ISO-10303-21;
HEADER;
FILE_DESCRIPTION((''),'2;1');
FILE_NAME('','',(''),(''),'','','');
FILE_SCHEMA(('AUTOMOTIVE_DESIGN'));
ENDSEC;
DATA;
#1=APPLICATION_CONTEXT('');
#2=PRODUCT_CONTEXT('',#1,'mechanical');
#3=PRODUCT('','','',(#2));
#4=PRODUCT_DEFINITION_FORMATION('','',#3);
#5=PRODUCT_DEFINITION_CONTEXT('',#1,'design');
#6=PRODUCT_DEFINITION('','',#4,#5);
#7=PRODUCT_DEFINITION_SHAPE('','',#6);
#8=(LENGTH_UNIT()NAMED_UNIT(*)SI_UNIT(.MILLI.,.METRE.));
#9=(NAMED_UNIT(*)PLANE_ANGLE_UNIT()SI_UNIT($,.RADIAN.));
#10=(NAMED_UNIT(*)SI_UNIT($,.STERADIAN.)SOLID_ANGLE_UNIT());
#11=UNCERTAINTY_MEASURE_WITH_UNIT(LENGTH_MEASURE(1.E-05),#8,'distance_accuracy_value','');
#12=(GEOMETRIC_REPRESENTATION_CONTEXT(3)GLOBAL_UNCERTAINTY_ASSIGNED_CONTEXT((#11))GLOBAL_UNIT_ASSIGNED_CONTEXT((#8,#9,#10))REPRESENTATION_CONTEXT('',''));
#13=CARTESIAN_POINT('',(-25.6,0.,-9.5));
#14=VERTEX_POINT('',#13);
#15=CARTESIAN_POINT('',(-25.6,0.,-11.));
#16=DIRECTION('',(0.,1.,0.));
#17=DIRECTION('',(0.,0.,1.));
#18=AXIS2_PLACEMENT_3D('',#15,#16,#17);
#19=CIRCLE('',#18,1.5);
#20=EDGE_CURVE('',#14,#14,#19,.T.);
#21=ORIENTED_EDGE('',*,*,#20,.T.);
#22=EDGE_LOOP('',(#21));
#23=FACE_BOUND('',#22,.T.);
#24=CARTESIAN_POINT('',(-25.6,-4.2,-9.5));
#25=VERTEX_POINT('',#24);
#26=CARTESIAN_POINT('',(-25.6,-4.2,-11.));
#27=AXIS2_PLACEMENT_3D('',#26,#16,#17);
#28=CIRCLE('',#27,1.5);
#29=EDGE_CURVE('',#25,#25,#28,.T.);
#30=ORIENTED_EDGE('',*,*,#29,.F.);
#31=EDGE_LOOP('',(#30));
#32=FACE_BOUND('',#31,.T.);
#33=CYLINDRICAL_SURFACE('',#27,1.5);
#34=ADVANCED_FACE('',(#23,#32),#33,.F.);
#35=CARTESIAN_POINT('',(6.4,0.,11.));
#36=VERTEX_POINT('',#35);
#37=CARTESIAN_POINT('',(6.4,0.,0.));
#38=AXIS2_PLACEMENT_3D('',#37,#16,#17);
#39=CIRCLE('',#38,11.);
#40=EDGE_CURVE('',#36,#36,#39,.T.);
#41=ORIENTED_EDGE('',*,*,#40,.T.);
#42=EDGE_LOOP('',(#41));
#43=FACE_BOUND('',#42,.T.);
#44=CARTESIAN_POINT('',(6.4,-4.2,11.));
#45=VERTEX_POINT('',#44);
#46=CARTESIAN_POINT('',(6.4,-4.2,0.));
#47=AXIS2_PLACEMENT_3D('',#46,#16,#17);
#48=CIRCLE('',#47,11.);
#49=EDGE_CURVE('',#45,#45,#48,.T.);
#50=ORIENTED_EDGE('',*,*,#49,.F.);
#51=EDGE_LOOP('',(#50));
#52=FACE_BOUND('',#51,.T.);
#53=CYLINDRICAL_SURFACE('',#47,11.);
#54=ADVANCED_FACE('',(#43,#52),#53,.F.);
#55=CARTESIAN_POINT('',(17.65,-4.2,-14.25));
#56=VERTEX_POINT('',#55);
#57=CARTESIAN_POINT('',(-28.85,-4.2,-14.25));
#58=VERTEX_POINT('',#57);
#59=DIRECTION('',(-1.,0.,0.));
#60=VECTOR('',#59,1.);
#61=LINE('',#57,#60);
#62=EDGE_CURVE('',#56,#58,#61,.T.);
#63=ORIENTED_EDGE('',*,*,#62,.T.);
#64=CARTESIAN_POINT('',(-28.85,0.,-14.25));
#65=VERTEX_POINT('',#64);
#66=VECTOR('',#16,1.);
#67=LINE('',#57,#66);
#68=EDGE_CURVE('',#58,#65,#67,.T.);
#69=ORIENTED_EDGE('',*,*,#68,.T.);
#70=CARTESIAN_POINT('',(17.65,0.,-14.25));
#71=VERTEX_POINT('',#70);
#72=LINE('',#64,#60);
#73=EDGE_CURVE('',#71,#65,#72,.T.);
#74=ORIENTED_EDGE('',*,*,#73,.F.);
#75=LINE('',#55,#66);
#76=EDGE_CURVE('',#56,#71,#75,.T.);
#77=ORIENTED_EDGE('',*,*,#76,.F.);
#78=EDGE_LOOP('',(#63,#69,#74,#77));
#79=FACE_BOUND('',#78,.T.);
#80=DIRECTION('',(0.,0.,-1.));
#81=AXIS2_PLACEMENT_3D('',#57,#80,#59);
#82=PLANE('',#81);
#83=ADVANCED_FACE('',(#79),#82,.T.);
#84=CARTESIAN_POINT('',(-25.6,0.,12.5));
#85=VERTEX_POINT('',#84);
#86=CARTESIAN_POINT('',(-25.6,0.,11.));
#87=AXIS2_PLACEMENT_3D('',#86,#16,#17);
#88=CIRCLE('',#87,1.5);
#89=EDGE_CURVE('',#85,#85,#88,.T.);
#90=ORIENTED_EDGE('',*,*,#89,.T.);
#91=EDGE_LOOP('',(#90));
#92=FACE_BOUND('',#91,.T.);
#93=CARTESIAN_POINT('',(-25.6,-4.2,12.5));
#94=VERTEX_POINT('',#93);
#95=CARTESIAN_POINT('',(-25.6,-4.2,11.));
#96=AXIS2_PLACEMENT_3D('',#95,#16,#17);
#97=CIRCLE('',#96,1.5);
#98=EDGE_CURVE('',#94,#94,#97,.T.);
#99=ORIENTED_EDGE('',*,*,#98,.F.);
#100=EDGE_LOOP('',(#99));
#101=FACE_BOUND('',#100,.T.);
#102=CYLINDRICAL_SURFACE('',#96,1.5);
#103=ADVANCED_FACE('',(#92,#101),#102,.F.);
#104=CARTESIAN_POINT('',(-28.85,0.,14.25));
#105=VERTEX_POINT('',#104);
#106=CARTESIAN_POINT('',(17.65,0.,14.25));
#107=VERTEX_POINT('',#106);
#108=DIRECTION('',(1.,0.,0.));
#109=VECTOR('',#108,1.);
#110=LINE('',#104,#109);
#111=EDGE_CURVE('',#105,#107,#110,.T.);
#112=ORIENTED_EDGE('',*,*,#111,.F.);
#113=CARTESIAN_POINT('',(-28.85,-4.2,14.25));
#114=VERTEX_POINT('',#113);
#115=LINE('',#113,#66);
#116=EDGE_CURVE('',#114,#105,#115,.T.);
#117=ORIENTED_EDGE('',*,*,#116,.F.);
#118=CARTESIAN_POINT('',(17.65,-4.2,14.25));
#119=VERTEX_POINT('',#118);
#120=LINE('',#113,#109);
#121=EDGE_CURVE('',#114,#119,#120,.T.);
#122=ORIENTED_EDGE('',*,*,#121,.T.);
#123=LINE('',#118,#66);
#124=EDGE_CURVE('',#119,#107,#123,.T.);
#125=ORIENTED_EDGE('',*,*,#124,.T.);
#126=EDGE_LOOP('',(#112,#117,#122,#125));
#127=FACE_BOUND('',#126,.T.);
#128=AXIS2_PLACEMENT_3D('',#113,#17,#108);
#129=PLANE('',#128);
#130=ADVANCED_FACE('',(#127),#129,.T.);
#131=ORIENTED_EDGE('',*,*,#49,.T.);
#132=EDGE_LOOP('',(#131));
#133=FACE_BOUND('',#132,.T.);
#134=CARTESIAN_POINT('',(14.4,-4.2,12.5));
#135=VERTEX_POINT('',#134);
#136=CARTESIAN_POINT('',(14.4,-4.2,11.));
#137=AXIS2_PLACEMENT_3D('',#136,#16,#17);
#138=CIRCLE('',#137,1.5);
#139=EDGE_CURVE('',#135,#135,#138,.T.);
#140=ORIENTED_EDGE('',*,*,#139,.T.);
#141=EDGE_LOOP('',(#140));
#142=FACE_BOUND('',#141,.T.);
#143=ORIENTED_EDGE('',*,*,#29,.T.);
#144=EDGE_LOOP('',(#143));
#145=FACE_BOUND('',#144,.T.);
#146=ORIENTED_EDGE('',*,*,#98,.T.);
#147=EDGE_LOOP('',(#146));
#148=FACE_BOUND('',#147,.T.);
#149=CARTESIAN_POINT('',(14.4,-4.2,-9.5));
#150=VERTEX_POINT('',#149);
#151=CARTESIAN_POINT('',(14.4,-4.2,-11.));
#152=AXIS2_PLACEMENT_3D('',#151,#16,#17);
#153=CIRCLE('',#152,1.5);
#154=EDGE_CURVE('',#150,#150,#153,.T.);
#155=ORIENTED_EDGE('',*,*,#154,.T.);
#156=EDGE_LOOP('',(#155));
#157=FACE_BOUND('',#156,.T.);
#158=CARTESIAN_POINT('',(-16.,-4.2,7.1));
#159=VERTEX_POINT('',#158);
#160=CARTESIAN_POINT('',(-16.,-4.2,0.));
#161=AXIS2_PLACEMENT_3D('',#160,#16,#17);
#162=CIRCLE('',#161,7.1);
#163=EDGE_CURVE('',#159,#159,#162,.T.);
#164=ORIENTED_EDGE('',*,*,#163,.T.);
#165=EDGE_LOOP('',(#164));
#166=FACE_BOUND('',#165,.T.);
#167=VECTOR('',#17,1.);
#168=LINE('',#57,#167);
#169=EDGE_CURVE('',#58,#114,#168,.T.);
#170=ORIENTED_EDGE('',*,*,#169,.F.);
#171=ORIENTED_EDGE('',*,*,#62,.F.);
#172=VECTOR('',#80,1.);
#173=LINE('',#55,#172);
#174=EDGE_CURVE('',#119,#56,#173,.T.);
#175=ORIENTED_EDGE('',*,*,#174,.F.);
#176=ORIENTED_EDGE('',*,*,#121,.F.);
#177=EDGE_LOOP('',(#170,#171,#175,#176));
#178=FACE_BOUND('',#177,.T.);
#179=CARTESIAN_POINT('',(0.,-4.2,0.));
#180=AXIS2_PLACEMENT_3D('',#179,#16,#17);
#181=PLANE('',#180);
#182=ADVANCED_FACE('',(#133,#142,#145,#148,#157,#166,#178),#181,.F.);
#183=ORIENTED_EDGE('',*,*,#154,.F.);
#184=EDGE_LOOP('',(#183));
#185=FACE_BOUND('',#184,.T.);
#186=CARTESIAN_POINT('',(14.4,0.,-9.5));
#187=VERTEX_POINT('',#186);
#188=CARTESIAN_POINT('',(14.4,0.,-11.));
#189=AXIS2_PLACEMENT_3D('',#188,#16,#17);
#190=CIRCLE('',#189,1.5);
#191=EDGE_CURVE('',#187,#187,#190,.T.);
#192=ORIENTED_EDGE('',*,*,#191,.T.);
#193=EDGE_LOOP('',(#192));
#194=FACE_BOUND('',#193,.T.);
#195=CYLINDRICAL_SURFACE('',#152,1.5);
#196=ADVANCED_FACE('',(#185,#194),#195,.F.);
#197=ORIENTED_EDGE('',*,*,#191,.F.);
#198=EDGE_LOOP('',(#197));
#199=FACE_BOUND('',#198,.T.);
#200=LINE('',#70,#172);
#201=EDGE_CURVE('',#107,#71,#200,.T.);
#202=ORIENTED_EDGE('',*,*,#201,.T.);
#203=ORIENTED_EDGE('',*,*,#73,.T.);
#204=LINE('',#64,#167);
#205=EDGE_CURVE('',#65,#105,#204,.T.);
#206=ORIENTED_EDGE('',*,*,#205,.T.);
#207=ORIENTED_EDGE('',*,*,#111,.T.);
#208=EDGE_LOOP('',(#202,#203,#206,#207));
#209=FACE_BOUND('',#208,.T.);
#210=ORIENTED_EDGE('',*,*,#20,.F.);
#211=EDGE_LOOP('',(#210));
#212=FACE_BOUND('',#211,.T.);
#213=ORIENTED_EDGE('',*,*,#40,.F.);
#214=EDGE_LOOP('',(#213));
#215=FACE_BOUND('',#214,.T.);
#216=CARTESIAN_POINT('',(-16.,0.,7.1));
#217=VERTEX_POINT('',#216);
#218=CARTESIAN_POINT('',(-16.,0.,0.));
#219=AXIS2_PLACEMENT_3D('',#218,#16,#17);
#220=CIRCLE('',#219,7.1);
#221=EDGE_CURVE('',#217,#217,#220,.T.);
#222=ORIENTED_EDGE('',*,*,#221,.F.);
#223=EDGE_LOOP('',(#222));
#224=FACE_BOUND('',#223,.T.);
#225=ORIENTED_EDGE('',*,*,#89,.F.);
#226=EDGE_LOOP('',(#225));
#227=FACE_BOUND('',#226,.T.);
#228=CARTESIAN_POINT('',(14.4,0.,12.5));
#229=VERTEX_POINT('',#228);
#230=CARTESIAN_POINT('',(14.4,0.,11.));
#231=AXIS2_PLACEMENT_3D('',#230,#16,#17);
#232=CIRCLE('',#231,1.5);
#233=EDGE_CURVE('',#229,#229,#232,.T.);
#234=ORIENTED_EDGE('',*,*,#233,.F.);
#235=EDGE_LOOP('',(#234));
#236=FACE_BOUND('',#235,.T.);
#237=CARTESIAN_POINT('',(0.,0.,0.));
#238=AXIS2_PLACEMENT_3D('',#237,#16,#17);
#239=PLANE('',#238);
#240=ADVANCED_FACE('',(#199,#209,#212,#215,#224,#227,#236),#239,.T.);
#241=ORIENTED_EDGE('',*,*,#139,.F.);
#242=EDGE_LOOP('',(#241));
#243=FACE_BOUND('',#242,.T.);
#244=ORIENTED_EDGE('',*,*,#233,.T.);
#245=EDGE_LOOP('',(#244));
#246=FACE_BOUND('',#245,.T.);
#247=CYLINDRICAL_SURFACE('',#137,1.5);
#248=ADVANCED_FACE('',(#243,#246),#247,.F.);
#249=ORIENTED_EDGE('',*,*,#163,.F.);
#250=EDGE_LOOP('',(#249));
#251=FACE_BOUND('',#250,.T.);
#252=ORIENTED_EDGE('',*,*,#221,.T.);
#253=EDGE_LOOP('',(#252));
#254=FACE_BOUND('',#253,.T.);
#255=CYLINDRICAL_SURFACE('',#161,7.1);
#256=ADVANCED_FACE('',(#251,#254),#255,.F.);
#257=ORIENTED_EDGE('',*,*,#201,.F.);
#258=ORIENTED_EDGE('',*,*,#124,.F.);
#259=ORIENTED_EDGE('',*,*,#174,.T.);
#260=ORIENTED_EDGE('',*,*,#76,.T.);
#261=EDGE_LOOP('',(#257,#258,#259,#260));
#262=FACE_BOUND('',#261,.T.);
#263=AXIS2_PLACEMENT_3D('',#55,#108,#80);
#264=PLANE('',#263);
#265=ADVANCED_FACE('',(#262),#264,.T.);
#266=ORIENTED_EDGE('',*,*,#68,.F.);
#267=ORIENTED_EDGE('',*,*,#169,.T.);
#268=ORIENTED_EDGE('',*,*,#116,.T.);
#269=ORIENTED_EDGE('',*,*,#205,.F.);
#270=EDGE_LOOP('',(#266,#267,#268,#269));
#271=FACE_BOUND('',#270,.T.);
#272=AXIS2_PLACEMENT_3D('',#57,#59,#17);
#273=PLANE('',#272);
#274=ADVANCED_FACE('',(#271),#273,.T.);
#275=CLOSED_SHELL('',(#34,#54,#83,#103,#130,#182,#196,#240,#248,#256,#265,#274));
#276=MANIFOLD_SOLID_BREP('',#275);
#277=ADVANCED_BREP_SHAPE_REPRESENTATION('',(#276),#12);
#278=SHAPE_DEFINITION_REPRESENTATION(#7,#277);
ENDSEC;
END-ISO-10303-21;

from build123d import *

# Parameters (mm, degrees)
SKETCH11_W          = 46.5
SKETCH11_H          = 28.5
SKETCH11_R          = 1.5
BOSS_EXTRUDE3_DEPTH = 4.2
SKETCH12_R          = 11
CUT_EXTRUDE6_DEPTH  = 5.2
SKETCH13_R          = 7.1
CUT_EXTRUDE7_DEPTH  = 5.2


with BuildPart() as part:
    # Sketch11 → Boss-Extrude3 (new body)
    with BuildSketch(Plane(origin=(0, 0, 0), x_dir=(1, 0, 0), z_dir=(0, 1, 0))):
        with Locations((-5.6, 0)):
            Rectangle(SKETCH11_W, SKETCH11_H)
        with Locations((-25.6, 11)):
            Circle(SKETCH11_R, mode=Mode.SUBTRACT)
        with Locations((14.4, 11)):
            Circle(SKETCH11_R, mode=Mode.SUBTRACT)
        with Locations((14.4, -11)):
            Circle(SKETCH11_R, mode=Mode.SUBTRACT)
        with Locations((-25.6, -11)):
            Circle(SKETCH11_R, mode=Mode.SUBTRACT)
    extrude(amount=-BOSS_EXTRUDE3_DEPTH)

    # Sketch12 → Cut-Extrude6 (cut, through all)
    with BuildSketch(Plane(origin=(0, 0, 0), x_dir=(1, 0, 0), z_dir=(0, 1, 0))):
        with Locations((6.4, 0)):
            Circle(SKETCH12_R)
    extrude(amount=-CUT_EXTRUDE6_DEPTH, mode=Mode.SUBTRACT)

    # Sketch13 → Cut-Extrude7 (cut, through all)
    with BuildSketch(Plane(origin=(0, 0, 0), x_dir=(1, 0, 0), z_dir=(0, 1, 0))):
        with Locations((-16, 0)):
            Circle(SKETCH13_R)
    extrude(amount=-CUT_EXTRUDE7_DEPTH, mode=Mode.SUBTRACT)


solid = part.part
